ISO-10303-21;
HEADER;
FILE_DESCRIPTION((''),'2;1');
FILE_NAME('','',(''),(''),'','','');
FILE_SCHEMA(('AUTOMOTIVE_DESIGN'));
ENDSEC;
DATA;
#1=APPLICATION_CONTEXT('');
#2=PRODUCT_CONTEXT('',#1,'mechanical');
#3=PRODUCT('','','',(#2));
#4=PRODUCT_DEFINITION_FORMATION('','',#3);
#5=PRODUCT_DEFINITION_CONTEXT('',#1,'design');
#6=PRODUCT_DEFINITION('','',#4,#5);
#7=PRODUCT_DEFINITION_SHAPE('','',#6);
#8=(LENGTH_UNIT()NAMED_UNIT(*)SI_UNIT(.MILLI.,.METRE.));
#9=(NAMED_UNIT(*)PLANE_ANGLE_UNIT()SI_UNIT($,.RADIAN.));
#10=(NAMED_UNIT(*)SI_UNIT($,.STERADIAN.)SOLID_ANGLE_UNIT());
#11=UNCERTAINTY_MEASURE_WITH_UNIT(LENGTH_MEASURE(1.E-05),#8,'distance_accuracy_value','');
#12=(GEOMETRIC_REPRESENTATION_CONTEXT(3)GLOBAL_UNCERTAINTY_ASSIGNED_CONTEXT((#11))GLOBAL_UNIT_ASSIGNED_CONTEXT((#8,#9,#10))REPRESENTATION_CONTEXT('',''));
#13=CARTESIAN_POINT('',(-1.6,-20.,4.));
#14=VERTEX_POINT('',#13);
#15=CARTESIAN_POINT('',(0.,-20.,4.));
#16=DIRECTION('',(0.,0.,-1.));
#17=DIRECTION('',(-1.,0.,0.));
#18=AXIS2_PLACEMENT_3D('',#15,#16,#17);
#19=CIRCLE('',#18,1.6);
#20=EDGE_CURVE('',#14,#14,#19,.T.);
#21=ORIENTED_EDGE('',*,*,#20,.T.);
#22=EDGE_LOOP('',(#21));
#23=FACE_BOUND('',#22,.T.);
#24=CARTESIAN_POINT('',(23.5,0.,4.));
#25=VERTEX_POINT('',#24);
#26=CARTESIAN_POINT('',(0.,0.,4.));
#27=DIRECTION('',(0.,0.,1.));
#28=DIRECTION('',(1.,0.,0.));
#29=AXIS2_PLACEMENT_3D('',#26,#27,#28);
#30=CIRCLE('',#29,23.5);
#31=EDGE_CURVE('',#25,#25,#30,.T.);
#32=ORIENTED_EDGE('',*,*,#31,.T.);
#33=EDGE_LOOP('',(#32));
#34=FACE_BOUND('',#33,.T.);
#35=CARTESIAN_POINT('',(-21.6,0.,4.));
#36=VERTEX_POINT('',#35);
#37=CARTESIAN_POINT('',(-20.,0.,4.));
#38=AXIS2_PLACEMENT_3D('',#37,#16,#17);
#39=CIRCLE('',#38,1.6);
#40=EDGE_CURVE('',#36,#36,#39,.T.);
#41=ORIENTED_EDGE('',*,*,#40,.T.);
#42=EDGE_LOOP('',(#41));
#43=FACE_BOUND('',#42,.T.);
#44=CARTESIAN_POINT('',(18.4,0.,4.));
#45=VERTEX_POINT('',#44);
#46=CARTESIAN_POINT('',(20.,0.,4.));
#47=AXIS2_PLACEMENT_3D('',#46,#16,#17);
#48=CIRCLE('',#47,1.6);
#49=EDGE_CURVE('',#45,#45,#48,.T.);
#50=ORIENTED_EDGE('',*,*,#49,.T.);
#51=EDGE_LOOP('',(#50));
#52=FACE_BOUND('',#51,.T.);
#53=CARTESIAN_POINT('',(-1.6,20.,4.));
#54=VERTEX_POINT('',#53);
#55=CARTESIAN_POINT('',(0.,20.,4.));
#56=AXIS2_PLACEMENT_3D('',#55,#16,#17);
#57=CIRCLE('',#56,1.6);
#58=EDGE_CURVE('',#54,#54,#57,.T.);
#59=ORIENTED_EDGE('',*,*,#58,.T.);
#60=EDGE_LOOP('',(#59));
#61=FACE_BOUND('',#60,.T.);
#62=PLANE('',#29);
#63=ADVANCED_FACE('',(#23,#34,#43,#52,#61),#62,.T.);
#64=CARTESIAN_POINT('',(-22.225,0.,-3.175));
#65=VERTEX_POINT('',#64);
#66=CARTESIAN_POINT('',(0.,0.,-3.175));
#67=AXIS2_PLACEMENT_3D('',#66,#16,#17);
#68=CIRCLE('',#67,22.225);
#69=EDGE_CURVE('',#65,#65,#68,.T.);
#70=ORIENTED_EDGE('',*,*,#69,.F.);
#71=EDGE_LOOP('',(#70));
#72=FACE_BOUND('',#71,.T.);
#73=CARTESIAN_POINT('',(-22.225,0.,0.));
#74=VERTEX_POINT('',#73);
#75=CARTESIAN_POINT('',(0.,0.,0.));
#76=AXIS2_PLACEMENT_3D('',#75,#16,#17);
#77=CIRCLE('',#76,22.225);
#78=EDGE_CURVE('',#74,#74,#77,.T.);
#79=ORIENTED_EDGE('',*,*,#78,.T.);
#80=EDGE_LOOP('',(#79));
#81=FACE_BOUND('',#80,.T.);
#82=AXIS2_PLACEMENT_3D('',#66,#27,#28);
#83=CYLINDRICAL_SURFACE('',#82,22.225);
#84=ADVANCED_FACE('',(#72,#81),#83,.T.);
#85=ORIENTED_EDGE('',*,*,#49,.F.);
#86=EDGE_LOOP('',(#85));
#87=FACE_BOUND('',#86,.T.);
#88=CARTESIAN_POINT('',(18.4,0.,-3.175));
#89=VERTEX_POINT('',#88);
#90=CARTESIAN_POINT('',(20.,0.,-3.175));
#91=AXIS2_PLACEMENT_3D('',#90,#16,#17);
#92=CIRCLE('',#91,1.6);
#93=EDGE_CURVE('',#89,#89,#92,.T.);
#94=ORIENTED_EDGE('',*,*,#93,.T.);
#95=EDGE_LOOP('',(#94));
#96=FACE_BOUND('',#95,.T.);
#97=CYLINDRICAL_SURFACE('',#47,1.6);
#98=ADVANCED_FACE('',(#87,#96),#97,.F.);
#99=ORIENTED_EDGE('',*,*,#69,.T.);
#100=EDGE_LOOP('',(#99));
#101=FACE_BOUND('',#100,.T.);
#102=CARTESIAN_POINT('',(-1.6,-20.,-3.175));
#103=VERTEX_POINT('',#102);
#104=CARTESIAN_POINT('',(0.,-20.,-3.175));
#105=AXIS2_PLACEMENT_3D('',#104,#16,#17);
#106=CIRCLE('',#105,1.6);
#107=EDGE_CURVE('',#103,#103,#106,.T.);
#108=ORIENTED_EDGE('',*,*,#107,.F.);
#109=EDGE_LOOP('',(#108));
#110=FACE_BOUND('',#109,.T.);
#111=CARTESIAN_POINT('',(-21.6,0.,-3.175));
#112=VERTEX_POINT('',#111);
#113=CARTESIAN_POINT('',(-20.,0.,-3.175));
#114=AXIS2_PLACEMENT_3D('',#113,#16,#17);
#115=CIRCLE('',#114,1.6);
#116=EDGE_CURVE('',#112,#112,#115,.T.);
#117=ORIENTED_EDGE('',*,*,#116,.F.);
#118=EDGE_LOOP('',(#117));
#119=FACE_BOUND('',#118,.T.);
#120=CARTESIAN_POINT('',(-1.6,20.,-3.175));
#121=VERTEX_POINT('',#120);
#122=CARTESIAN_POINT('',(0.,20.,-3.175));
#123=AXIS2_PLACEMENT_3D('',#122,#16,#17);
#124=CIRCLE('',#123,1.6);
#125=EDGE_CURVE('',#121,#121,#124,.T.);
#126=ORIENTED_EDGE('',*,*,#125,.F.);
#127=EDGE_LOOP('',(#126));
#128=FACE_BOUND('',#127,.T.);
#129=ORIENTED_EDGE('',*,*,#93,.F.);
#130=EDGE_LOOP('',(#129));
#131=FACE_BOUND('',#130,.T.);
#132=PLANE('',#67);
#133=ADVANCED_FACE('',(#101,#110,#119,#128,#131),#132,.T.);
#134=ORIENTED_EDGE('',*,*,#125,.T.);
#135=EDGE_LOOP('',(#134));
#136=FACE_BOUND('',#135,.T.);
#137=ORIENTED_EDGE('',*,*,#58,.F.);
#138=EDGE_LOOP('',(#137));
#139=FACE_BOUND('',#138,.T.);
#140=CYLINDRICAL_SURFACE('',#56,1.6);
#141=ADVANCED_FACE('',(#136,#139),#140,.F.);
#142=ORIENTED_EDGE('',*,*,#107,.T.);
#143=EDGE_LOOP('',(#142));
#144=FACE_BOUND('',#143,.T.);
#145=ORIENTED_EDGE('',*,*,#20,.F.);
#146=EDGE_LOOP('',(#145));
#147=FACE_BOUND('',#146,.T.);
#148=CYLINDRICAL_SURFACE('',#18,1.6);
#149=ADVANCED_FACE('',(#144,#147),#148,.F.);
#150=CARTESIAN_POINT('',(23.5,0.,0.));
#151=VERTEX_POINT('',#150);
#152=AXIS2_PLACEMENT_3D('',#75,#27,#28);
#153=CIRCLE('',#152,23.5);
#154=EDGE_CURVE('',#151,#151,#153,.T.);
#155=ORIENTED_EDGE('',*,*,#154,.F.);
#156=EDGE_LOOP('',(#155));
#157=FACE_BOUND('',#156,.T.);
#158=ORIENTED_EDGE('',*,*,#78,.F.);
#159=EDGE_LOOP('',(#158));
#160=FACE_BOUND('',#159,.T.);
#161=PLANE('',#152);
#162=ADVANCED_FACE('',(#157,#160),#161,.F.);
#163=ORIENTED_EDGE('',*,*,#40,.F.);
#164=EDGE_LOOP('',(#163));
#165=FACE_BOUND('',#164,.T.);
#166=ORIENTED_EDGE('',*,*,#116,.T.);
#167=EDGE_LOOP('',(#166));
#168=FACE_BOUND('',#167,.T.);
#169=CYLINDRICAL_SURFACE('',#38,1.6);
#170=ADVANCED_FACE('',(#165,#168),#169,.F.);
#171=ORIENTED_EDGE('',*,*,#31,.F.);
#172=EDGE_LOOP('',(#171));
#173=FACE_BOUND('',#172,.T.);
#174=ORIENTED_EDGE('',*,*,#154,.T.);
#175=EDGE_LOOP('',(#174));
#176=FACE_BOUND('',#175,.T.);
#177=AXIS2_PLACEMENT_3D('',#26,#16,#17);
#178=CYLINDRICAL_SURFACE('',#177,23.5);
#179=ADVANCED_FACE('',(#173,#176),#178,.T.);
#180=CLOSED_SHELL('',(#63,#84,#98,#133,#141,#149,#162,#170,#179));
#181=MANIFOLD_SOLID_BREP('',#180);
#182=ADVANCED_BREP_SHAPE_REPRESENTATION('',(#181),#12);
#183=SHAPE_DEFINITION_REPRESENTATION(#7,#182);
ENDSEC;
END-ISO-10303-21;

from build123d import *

# Parameters (mm, degrees)
SKETCH_1_R          = 23.5
EXTRUDE_1_DEPTH     = 4
SKETCH_2_R          = 22.225
EXTRUDE_2_DEPTH     = 3.175
SKETCH_3_R          = 1.6
CUT_EXTRUDE_1_DEPTH = 34.999715072


with BuildPart() as part:
    # ｽｹｯﾁ1 → ﾎﾞｽ - 押し出し1 (new body)
    with BuildSketch(Plane.XY):
        Circle(SKETCH_1_R)
    extrude(amount=EXTRUDE_1_DEPTH)

    # ｽｹｯﾁ2 → ﾎﾞｽ - 押し出し2 (add)
    with BuildSketch(Plane(origin=(0, 0, 0), x_dir=(-1, 0, 0), z_dir=(0, 0, -1))):
        Circle(SKETCH_2_R)
    extrude(amount=EXTRUDE_2_DEPTH)

    # ｽｹｯﾁ3 → ｶｯﾄ - 押し出し1 (cut, through all)
    with BuildSketch(Plane(origin=(0, 0, -3.175), x_dir=(-1, 0, 0), z_dir=(0, 0, -1))):
        with Locations((0, 20)):
            Circle(SKETCH_3_R)
        with Locations((20, 0)):
            Circle(SKETCH_3_R)
        with Locations((0, -20)):
            Circle(SKETCH_3_R)
        with Locations((-20, 0)):
            Circle(SKETCH_3_R)
    extrude(amount=-CUT_EXTRUDE_1_DEPTH, mode=Mode.SUBTRACT)


solid = part.part
